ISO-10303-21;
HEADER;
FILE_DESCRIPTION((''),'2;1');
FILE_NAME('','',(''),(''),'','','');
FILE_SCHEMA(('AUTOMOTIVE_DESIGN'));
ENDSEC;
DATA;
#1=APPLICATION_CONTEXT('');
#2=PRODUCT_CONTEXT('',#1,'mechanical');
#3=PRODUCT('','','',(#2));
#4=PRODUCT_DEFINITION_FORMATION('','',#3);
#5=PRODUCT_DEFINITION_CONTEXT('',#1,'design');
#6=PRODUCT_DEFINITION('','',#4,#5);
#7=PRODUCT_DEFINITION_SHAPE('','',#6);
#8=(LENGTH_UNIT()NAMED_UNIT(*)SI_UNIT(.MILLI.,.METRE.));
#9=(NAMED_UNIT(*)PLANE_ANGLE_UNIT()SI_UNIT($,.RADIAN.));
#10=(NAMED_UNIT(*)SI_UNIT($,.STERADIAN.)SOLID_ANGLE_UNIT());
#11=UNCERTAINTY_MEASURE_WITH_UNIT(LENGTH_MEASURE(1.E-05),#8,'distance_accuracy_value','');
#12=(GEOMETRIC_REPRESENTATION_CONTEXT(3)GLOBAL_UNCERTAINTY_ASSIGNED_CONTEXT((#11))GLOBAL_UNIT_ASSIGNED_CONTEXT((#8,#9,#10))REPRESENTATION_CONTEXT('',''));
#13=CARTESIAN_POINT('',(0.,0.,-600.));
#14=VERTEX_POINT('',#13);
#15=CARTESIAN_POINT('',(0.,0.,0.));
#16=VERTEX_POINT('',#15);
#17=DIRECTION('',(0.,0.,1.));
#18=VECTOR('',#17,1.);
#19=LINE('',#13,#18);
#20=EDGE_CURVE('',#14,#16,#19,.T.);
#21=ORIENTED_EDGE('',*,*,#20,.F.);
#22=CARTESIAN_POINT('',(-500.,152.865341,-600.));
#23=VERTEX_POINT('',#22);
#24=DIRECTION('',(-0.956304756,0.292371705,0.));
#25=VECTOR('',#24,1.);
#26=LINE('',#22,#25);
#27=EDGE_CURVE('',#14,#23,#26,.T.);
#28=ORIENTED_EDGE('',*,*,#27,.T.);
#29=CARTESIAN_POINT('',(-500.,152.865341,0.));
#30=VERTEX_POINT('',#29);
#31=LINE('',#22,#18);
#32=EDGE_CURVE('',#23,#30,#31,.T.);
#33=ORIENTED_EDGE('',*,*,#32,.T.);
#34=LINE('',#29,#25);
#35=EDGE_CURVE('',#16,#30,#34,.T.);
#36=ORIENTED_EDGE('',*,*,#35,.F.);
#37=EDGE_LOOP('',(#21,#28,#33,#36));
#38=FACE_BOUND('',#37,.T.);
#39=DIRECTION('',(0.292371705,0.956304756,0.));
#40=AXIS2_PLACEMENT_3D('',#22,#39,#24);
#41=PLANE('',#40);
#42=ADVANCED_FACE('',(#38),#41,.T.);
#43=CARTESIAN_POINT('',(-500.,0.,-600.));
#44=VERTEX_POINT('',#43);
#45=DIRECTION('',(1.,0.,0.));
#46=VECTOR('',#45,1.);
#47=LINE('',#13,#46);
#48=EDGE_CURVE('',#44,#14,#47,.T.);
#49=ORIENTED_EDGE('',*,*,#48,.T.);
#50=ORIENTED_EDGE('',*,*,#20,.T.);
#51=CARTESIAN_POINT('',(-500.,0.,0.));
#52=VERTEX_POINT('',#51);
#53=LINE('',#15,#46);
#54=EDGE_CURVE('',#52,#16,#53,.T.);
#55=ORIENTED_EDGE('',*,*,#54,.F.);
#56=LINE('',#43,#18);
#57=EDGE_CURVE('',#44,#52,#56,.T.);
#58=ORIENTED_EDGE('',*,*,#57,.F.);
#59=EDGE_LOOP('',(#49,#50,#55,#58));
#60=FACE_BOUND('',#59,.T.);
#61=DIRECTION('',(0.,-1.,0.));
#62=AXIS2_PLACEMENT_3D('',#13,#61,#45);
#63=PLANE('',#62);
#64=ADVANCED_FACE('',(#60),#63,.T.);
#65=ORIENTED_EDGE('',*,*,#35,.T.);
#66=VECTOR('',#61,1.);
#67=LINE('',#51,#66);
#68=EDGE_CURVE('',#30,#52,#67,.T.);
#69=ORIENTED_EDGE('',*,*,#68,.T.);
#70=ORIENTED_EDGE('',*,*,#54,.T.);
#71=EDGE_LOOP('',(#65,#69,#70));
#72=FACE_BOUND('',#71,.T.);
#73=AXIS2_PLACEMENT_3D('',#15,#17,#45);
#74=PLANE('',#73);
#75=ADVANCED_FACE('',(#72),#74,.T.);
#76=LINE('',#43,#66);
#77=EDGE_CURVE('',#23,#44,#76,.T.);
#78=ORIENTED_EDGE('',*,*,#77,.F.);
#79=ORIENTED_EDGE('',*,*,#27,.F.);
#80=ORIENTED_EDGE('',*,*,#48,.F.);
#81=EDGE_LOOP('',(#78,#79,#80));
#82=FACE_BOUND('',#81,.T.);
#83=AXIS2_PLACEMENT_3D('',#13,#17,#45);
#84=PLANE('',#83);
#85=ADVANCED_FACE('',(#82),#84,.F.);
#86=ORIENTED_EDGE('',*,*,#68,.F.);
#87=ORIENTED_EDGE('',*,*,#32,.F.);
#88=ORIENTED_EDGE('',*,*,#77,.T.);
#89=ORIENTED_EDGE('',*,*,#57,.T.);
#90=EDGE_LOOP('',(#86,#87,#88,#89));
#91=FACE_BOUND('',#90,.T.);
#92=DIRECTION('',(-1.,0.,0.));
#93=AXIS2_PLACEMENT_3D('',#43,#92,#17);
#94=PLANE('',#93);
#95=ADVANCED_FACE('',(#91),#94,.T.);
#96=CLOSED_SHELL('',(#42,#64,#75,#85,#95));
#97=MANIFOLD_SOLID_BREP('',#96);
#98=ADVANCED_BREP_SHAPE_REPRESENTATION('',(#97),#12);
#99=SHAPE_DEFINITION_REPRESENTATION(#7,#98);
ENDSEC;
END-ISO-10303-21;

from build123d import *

# Parameters (mm, degrees)
EXTRUDE_1_DEPTH = 600


with BuildPart() as part:
    # 草图1 → 凸台-拉伸1 (new body)
    with BuildSketch(Plane.XY):
        Polygon((0, 0), (-500, 0), (-500, 152.865340729), align=None)
    extrude(amount=-EXTRUDE_1_DEPTH)


solid = part.part
